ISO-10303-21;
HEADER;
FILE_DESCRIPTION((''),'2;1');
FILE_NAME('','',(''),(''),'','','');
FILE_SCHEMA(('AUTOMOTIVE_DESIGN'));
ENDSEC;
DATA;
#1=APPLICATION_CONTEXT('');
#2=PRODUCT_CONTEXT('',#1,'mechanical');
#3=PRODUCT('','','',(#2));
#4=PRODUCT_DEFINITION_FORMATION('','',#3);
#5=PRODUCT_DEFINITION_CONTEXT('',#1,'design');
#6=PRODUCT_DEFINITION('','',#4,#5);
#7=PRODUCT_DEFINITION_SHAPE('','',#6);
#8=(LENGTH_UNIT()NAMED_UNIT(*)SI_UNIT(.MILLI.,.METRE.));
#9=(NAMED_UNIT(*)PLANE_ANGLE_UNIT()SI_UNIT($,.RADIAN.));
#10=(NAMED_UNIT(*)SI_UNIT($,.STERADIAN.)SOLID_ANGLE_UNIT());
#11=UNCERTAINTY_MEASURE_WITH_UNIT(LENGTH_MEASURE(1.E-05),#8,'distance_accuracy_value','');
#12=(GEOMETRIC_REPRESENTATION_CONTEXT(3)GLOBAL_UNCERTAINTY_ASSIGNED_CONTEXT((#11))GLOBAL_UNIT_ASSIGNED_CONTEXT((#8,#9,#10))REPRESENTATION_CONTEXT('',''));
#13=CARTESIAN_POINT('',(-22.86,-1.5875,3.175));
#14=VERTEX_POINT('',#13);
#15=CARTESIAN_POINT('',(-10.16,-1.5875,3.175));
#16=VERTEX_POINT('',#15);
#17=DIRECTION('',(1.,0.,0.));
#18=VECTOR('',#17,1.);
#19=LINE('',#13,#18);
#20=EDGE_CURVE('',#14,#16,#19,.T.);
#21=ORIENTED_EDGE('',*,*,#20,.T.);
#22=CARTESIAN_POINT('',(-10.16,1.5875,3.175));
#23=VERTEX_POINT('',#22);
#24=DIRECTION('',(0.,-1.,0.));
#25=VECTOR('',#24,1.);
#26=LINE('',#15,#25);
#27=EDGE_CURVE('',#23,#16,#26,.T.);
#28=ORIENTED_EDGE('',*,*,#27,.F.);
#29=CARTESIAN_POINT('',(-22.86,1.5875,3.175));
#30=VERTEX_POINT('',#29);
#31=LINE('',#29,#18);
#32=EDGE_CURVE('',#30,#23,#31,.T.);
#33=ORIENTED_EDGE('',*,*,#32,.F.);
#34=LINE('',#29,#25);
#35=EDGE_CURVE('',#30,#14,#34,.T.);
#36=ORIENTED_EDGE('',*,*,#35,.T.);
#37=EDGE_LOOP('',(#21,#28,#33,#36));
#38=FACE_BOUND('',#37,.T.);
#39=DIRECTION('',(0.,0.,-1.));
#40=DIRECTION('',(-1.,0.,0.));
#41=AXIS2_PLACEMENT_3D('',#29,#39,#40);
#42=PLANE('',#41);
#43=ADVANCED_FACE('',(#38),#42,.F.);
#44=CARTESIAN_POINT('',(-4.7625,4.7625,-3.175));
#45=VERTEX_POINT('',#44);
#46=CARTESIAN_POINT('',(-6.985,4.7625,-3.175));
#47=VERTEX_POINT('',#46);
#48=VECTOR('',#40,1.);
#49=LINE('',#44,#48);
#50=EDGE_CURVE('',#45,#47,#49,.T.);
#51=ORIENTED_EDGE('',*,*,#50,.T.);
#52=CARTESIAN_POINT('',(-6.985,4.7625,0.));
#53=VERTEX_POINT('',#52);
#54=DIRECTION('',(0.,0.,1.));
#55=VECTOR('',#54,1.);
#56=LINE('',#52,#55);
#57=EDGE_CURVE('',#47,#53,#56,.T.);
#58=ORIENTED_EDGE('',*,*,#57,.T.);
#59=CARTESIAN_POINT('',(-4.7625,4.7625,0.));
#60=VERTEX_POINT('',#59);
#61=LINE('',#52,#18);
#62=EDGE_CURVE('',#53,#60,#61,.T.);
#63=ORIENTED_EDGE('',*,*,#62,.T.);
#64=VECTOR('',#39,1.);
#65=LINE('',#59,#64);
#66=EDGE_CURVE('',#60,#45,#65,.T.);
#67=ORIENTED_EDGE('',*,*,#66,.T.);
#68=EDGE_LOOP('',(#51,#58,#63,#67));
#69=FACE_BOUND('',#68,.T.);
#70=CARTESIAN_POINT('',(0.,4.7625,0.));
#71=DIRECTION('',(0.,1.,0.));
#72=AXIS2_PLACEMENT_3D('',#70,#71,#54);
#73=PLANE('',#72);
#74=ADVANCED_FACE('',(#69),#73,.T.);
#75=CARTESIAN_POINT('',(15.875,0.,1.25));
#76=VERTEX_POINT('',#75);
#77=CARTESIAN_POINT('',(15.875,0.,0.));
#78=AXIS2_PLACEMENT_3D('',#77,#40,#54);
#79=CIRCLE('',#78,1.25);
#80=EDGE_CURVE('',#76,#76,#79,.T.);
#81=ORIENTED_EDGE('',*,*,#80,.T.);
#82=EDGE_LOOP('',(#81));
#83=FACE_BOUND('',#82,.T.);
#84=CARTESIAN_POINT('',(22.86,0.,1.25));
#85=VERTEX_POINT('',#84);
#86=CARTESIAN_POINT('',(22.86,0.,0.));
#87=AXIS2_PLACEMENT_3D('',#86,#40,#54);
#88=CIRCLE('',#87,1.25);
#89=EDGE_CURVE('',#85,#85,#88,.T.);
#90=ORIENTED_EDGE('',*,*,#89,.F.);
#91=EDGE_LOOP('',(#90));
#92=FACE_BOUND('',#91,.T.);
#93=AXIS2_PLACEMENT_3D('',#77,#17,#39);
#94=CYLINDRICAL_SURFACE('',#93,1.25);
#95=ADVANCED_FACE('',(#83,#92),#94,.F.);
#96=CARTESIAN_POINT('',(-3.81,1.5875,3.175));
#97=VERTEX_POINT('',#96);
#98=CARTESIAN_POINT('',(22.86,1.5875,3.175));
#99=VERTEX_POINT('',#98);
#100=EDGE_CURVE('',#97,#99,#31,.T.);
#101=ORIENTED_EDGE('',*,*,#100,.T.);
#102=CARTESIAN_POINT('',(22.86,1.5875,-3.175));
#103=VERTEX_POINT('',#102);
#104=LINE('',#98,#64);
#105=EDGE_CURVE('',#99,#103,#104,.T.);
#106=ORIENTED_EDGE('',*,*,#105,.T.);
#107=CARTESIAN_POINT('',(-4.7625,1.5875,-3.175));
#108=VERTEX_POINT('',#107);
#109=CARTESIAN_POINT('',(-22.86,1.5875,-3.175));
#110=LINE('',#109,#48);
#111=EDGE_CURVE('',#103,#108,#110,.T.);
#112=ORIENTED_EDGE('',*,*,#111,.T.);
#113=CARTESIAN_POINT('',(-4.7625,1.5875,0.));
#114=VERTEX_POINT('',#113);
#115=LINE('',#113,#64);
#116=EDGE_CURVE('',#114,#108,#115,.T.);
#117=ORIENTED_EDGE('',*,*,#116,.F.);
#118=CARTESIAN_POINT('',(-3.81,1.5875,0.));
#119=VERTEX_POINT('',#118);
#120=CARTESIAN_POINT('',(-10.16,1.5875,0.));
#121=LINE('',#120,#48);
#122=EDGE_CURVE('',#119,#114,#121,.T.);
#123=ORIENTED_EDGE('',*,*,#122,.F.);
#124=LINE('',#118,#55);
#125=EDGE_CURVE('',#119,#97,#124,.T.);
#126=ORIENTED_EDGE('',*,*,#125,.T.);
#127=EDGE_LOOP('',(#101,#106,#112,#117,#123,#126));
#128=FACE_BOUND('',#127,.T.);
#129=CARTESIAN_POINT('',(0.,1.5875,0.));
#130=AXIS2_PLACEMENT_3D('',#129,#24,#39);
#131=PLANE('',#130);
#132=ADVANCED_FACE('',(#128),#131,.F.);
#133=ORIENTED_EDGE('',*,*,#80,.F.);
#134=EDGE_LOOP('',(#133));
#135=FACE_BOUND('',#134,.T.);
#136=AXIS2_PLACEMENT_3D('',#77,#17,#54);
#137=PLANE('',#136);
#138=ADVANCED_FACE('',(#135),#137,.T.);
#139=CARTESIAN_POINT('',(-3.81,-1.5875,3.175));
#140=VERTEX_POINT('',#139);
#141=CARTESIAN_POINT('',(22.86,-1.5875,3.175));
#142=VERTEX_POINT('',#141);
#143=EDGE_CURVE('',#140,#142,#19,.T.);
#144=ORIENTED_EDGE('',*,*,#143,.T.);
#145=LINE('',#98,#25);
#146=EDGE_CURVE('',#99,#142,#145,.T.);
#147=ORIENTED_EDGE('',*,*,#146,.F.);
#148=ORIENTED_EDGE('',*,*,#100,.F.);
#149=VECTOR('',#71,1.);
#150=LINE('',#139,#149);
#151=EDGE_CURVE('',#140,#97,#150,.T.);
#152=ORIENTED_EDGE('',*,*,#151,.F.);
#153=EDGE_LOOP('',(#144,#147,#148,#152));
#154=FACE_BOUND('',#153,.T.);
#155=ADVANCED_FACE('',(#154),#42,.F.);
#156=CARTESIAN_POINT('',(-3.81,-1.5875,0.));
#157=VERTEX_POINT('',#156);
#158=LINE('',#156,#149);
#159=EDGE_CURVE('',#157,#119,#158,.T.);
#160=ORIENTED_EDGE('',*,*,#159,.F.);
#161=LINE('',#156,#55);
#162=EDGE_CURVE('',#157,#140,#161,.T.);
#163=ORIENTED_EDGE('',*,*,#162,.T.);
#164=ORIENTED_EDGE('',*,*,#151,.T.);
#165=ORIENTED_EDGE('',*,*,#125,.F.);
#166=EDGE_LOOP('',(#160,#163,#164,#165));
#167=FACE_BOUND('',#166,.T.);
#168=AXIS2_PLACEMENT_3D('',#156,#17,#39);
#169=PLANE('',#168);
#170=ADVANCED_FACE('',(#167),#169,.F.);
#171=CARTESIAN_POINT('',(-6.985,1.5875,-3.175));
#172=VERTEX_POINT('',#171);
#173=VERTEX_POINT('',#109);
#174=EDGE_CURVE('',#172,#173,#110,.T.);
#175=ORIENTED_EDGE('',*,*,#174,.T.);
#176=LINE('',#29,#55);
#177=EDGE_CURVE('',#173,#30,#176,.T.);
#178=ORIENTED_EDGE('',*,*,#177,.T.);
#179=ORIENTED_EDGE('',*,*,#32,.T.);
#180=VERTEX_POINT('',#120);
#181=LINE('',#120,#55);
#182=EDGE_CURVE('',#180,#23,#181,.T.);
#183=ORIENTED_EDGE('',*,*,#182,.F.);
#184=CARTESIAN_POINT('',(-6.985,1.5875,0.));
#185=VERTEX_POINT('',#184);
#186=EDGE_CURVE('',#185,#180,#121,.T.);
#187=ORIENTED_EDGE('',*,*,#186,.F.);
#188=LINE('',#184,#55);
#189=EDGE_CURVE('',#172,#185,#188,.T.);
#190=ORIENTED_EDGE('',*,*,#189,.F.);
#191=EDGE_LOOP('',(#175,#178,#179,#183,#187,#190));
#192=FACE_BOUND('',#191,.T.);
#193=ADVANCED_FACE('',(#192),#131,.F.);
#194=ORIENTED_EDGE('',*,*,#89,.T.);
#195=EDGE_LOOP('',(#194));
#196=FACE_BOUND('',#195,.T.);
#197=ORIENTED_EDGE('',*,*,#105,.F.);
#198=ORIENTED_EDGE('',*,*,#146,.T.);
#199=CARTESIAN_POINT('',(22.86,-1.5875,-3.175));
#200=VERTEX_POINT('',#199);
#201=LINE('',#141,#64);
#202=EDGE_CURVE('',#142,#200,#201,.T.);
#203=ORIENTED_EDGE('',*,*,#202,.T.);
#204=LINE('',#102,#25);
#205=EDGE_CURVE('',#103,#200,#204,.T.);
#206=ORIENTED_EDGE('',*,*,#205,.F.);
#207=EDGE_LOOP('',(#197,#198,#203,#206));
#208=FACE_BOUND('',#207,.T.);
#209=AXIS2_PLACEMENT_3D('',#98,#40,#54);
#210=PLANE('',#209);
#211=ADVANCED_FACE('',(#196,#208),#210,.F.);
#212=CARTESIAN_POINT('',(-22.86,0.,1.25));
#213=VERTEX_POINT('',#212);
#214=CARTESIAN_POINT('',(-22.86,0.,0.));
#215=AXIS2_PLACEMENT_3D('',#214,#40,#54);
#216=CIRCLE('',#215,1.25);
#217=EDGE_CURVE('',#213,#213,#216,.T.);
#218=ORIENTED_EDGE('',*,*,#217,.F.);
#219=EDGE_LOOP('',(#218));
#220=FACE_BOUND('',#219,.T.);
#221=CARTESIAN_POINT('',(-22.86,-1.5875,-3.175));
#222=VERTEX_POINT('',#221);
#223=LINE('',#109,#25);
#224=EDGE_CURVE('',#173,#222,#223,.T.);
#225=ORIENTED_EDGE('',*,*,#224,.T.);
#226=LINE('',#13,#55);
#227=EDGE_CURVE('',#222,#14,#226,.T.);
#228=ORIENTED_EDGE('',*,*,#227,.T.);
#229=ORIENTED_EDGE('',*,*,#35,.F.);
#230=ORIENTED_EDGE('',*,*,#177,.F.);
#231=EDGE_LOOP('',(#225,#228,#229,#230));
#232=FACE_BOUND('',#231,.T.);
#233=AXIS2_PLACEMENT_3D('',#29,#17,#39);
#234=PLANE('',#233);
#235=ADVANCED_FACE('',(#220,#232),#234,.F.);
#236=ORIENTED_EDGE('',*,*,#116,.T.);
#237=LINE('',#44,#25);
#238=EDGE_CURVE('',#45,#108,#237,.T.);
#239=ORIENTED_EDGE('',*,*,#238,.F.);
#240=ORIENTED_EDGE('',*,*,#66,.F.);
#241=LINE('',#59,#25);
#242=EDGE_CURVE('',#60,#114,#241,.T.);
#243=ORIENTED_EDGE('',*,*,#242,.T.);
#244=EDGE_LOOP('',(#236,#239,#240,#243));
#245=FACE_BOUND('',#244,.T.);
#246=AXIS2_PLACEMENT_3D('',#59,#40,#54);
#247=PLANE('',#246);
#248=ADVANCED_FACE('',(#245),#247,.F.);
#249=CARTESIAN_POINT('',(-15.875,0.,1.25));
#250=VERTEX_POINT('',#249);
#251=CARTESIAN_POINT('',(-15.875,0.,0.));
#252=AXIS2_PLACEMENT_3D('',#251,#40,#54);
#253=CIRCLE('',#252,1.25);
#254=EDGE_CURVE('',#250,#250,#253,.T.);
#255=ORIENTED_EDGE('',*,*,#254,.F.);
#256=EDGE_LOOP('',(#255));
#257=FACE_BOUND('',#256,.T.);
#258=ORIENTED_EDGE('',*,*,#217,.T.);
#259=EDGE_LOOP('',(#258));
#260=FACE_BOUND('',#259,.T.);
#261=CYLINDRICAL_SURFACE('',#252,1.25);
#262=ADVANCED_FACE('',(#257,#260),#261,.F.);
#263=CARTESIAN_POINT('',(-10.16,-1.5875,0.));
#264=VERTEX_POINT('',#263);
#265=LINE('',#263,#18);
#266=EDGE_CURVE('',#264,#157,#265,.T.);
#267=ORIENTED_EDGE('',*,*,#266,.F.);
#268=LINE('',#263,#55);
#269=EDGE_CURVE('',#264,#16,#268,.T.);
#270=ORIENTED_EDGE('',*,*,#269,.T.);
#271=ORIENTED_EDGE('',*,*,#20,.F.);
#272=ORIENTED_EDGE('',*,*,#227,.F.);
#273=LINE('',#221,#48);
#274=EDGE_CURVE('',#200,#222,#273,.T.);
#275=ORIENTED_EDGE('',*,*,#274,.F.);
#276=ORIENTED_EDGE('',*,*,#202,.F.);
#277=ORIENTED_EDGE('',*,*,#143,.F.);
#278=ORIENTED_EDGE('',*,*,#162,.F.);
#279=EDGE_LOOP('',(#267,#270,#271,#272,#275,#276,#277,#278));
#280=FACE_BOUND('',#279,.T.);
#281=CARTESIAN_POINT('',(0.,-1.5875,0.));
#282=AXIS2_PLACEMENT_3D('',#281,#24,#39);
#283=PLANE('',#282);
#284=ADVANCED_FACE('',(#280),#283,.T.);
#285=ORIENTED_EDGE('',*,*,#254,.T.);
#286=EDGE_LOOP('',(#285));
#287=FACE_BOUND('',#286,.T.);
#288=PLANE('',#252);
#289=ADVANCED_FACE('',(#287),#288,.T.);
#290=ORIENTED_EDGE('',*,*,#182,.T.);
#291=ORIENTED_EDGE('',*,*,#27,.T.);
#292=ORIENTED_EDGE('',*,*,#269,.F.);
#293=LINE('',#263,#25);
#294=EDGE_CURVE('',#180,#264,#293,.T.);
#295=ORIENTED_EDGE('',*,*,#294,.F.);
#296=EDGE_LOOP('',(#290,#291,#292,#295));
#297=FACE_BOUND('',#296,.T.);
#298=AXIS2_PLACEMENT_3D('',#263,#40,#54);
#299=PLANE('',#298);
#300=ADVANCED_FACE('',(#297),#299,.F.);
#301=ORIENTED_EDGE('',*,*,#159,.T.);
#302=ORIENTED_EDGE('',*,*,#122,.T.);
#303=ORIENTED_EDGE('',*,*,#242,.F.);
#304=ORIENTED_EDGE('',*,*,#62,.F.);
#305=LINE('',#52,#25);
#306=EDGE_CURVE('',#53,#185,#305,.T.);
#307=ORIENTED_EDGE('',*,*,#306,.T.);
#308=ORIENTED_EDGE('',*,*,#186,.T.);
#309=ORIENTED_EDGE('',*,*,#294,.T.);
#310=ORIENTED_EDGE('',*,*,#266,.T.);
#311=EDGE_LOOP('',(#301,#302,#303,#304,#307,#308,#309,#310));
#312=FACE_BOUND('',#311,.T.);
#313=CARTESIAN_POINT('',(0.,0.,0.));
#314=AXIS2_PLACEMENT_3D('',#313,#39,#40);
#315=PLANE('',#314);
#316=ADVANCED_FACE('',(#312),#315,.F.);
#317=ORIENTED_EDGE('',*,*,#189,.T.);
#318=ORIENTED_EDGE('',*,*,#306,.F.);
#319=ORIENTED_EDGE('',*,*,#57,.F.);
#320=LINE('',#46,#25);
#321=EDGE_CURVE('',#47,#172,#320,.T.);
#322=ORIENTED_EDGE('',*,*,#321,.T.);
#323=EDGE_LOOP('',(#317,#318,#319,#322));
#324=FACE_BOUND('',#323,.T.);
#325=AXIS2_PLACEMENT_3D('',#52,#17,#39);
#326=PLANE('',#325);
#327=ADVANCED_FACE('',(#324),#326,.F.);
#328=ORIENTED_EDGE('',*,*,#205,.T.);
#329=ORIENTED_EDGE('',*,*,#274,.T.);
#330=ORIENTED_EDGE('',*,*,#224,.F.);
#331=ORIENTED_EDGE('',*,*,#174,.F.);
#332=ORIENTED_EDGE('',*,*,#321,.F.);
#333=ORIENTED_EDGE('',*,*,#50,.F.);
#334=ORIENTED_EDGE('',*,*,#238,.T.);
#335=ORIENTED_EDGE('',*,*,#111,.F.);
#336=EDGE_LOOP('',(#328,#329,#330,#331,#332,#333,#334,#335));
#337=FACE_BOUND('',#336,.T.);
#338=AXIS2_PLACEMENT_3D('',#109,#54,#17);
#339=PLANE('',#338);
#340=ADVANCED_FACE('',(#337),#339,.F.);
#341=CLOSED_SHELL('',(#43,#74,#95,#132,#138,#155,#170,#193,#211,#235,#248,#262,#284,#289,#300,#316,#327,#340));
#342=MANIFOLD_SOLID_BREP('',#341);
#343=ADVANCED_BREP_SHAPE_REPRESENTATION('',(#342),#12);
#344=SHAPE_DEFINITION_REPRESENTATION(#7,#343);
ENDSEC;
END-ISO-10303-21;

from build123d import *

# Parameters (mm, degrees)
SKETCH1_W           = 45.72
SKETCH1_H           = 6.35
BOSS_EXTRUDE1_DEPTH = 1.5875
SKETCH4_W           = 6.35
SKETCH4_H           = 3.175
CUT_EXTRUDE1_DEPTH  = 3.175
SKETCH5_W           = 2.2225
SKETCH5_H           = 3.175
BOSS_EXTRUDE3_DEPTH = 3.175
SKETCH3_R           = 1.25
CUT_EXTRUDE2_DEPTH  = 6.985


with BuildPart() as part:
    # Sketch1 → Boss-Extrude1 (new body, symmetric)
    with BuildSketch(Plane(origin=(0, 0, 0), x_dir=(1, 0, 0), z_dir=(0, 1, 0))):
        Rectangle(SKETCH1_W, SKETCH1_H)
    extrude(amount=BOSS_EXTRUDE1_DEPTH, both=True)

    # Sketch4 → Cut-Extrude1 (cut)
    with BuildSketch(Plane.XY.offset(3.175)):
        with Locations((-6.985, 0)):
            Rectangle(SKETCH4_W, SKETCH4_H)
    extrude(amount=-CUT_EXTRUDE1_DEPTH, mode=Mode.SUBTRACT)

    # Sketch5 → Boss-Extrude3 (add)
    with BuildSketch(Plane(origin=(0, 1.5875, 0), x_dir=(1, 0, 0), z_dir=(0, 1, 0))):
        with Locations((-5.87375, 1.5875)):
            Rectangle(SKETCH5_W, SKETCH5_H)
    extrude(amount=BOSS_EXTRUDE3_DEPTH)

    # Sketch3 → Cut-Extrude2 (cut)
    with BuildSketch(Plane.ZY.offset(22.86)):
        Circle(SKETCH3_R)
    cut_extrude2 = extrude(amount=-CUT_EXTRUDE2_DEPTH, mode=Mode.SUBTRACT)

    # Mirror1: Cut-Extrude2 across plane
    add(cut_extrude2.mirror(Plane(origin=(0, 0, 0), x_dir=(0, 0, 1), z_dir=(1, 0, 0))), mode=Mode.SUBTRACT)


solid = part.part
